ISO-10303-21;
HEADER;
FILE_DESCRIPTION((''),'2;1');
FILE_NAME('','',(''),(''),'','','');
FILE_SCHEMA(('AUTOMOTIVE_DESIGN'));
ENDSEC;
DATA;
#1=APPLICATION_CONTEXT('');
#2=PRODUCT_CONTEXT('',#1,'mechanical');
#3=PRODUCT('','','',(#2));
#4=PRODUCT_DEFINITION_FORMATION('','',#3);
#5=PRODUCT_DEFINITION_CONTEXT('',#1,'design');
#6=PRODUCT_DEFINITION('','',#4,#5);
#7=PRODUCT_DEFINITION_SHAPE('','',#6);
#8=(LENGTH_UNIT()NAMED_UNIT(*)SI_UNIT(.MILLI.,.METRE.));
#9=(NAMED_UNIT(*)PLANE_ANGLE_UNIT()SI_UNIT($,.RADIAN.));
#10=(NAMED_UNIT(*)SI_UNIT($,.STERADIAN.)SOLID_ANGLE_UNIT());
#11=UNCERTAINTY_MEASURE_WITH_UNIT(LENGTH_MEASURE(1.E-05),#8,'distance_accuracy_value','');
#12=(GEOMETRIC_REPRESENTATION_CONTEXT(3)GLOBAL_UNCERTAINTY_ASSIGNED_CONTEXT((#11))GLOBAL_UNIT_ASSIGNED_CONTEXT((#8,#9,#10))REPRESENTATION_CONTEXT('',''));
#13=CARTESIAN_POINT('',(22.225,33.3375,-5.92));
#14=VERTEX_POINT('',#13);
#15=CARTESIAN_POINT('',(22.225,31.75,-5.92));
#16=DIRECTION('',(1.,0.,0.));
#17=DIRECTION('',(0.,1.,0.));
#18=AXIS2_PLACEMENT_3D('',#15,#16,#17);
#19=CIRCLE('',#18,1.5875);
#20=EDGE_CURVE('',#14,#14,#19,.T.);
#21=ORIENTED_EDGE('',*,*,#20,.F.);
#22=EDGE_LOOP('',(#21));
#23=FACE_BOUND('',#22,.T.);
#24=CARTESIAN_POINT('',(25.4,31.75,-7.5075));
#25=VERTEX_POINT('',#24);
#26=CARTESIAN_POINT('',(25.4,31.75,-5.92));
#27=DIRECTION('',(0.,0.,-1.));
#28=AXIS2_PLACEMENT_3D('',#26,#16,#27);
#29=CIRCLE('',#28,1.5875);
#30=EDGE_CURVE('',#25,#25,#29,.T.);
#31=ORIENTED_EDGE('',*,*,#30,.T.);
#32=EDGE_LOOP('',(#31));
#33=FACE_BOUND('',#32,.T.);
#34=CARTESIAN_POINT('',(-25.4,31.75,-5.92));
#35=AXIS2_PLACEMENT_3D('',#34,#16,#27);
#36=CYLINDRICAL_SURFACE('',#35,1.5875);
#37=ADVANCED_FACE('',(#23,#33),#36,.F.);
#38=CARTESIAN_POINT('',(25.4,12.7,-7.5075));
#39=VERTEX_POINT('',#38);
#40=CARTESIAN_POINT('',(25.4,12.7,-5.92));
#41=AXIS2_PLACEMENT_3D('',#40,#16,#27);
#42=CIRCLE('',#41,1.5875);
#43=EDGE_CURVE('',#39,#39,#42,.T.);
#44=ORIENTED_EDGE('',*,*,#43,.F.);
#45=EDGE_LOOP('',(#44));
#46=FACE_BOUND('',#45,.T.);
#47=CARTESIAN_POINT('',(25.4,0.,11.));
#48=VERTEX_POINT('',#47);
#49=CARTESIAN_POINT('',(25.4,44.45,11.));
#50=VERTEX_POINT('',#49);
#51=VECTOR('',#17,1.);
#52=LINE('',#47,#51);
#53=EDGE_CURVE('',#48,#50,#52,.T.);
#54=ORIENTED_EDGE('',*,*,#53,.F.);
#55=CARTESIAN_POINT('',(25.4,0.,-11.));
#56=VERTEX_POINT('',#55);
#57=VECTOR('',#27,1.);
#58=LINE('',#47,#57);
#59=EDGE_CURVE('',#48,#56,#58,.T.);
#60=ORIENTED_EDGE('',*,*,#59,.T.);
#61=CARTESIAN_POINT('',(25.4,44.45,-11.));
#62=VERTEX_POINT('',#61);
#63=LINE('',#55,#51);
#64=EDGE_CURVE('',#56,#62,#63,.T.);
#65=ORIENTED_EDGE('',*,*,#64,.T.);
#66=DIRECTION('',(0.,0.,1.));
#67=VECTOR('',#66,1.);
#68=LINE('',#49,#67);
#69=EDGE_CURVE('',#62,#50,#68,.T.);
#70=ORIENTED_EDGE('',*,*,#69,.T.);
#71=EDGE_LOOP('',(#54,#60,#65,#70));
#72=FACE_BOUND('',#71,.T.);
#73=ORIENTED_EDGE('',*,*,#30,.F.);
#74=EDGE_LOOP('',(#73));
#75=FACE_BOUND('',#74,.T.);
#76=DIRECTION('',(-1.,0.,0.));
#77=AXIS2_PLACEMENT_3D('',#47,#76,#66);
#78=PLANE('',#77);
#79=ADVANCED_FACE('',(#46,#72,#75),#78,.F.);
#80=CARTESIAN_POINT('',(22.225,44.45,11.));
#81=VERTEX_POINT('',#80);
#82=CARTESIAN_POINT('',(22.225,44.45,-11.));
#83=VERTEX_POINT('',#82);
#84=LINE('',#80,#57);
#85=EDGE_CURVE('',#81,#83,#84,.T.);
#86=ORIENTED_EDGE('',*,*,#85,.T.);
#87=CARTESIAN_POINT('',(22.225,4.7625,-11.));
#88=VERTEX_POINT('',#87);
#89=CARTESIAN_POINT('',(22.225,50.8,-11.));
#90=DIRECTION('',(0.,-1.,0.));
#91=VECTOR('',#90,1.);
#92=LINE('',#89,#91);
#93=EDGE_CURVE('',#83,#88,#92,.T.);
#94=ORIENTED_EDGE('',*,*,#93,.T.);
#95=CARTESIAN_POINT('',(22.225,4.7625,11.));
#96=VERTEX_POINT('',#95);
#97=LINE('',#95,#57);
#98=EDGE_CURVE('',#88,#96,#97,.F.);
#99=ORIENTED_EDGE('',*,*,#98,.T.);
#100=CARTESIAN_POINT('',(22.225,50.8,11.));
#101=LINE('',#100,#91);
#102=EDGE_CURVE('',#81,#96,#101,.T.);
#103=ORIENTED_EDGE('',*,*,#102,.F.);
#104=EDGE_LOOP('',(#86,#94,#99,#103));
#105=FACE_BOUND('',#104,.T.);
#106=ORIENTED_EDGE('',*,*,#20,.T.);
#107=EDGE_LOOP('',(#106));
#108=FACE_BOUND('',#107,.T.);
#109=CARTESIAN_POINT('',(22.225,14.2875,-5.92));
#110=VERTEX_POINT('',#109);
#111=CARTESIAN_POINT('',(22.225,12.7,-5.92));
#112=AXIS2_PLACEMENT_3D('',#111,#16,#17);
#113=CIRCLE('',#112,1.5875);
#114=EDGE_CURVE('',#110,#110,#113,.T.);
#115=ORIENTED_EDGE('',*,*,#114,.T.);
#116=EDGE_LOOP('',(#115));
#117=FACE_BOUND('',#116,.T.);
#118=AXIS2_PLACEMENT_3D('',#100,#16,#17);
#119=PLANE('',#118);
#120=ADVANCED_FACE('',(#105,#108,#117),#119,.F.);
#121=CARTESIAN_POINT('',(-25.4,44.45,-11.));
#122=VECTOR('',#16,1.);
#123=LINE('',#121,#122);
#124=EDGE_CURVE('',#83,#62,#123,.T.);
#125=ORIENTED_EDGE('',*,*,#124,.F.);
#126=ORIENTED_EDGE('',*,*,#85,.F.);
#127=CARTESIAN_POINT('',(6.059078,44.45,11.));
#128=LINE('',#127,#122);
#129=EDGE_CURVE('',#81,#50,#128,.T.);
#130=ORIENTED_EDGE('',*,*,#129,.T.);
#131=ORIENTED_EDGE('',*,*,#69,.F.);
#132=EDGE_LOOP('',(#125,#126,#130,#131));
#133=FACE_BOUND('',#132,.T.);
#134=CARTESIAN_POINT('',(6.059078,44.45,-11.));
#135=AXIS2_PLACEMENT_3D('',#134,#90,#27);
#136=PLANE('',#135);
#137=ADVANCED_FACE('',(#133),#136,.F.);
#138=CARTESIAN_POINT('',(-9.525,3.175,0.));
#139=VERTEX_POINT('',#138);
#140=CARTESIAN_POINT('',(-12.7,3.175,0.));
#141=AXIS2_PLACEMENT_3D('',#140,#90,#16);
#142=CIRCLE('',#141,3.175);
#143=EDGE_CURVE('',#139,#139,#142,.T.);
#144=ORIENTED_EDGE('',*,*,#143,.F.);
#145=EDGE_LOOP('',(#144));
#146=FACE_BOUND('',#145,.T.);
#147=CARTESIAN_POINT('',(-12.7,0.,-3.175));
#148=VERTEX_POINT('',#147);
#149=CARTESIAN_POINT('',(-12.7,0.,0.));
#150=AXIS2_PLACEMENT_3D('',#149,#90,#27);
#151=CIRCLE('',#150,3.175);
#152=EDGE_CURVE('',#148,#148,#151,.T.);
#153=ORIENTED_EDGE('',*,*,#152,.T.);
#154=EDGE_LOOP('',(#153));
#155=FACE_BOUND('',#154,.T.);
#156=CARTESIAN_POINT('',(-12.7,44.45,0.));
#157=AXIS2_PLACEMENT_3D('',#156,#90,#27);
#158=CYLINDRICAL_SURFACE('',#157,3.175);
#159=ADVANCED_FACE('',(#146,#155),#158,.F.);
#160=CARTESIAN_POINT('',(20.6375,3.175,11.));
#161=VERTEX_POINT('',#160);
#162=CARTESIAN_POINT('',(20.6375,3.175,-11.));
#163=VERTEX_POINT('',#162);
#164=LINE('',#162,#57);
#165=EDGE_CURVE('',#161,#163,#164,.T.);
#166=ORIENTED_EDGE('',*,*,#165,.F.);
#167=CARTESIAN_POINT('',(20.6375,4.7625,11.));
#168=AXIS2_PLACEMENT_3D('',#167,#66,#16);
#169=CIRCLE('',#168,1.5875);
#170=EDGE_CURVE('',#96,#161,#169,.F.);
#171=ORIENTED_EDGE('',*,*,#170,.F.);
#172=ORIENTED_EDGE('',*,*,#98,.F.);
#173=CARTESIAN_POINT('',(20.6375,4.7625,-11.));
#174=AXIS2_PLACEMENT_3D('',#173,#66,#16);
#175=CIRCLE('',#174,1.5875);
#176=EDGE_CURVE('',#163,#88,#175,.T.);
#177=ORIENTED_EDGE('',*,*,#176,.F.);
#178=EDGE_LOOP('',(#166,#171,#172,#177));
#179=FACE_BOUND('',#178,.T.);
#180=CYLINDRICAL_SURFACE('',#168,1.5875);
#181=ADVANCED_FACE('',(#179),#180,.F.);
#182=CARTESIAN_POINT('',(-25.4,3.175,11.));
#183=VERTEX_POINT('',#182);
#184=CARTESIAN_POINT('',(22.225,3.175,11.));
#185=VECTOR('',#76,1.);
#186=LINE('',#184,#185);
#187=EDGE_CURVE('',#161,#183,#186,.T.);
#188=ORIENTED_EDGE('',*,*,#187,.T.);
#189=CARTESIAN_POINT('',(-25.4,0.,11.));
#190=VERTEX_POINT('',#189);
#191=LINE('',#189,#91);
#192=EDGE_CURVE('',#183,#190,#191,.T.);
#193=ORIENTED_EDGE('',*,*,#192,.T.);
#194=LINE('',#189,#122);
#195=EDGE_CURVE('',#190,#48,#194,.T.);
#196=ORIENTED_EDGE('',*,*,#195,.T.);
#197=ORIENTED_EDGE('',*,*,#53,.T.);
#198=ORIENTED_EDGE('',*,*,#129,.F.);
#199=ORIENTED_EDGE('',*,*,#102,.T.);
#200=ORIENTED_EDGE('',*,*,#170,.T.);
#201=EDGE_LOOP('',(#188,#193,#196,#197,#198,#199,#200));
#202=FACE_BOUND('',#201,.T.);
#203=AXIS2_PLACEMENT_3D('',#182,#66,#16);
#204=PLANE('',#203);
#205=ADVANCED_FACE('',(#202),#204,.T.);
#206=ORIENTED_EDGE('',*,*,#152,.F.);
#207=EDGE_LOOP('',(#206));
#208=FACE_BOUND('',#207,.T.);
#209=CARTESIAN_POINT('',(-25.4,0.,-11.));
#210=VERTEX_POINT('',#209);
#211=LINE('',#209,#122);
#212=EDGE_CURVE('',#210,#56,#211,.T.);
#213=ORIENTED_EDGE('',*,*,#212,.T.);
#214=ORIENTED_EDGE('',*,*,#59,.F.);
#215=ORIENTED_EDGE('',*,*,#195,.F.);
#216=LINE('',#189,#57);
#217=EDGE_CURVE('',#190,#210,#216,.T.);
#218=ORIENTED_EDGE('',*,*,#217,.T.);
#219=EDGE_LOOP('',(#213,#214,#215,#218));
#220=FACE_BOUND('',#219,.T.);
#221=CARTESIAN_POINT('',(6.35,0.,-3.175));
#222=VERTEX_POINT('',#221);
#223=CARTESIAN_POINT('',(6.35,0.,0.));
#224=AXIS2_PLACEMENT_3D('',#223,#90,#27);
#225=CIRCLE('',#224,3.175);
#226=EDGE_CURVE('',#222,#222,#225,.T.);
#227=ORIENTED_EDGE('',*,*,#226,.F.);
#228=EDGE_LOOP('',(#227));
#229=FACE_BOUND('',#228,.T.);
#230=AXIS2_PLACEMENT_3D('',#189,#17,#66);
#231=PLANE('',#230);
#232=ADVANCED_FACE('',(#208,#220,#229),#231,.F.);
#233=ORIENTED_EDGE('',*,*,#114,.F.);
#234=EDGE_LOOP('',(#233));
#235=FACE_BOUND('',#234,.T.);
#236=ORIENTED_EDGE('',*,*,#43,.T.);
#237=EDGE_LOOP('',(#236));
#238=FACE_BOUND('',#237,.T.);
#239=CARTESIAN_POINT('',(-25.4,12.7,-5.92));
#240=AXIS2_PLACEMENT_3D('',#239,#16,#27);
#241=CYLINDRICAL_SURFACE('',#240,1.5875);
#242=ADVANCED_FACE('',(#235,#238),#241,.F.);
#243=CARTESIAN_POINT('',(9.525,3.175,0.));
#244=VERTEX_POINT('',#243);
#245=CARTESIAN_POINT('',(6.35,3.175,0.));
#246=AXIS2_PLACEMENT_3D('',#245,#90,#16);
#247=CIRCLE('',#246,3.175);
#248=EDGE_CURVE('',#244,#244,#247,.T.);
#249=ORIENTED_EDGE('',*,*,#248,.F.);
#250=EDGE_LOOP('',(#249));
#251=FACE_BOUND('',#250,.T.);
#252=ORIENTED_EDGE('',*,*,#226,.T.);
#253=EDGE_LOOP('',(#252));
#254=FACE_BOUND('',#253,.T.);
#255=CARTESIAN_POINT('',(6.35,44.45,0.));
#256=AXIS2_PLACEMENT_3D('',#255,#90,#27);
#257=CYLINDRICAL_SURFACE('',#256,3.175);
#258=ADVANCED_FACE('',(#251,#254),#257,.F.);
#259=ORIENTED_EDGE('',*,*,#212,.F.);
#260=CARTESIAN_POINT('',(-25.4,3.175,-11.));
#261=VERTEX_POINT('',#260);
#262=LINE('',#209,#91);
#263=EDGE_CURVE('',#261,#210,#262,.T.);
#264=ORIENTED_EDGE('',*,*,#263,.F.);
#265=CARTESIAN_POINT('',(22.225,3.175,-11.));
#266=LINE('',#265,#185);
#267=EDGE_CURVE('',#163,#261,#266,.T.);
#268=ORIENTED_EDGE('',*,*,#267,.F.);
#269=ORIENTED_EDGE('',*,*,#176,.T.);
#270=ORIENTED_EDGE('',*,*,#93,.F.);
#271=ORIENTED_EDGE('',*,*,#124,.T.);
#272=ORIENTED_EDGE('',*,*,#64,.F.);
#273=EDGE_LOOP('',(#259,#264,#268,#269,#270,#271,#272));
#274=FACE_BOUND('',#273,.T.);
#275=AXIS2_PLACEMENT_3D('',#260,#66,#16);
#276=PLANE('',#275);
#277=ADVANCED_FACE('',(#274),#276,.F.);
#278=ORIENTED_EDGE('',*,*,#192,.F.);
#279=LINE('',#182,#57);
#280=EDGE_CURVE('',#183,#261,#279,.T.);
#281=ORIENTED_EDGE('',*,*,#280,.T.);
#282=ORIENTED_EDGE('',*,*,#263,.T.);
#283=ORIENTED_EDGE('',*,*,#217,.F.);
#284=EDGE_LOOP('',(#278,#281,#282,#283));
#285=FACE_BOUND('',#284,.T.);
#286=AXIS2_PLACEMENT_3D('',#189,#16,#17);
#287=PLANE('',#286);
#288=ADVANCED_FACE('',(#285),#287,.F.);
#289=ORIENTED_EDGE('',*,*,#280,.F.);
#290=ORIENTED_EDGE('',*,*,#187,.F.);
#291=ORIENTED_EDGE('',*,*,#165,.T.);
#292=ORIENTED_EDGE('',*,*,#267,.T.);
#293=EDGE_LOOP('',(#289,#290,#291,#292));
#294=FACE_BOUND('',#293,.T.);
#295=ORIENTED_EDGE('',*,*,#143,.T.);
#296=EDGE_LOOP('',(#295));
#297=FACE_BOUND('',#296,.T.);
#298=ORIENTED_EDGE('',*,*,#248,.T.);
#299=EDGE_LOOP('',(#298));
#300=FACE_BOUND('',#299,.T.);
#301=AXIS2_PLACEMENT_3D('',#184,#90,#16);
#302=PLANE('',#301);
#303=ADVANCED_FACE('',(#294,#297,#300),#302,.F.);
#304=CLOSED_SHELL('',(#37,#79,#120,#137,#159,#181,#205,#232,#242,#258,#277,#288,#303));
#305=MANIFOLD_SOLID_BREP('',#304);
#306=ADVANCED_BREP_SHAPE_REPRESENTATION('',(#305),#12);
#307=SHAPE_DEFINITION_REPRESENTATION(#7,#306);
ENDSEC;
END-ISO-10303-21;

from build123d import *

# Parameters (mm, degrees)
BOSS_EXTRUDE1_DEPTH = 11
FILLET1_R           = 1.5875
SKETCH3_W           = 24.423912887
SKETCH3_H           = 26.552361768
CUT_EXTRUDE1_DEPTH  = 23
SKETCH4_R           = 3.175
CUT_EXTRUDE2_DEPTH  = 45.45
SKETCH5_R           = 1.5875
CUT_EXTRUDE3_DEPTH  = 51.8


with BuildPart() as part:
    # Sketch2 → Boss-Extrude1 (new body, symmetric)
    with BuildSketch(Plane.XY):
        Polygon((-25.4, 0), (25.4, 0), (25.4, 50.8), (22.225, 50.8), (22.225, 3.175), (-25.4, 3.175), align=None)
    extrude(amount=BOSS_EXTRUDE1_DEPTH, both=True)

    # Fillet1
    fillet1_edges = [part.edges().sort_by_distance(p)[0] for p in [
        (22.225, 3.175, 0),
    ]]
    fillet(fillet1_edges, radius=FILLET1_R)

    # Sketch3 → Cut-Extrude1 (cut, through all)
    with BuildSketch(Plane.XY.offset(11)):
        with Locations((18.271034128, 57.726180884)):
            Rectangle(SKETCH3_W, SKETCH3_H)
    extrude(amount=-CUT_EXTRUDE1_DEPTH, mode=Mode.SUBTRACT)

    # Sketch4 → Cut-Extrude2 (cut, through all)
    with BuildSketch(Plane.XZ):
        with Locations((-12.7, 0)):
            Circle(SKETCH4_R)
        with Locations((6.35, 0)):
            Circle(SKETCH4_R)
    extrude(amount=-CUT_EXTRUDE2_DEPTH, mode=Mode.SUBTRACT)

    # Sketch5 → Cut-Extrude3 (cut, through all)
    with BuildSketch(Plane(origin=(25.4, 0, 0), x_dir=(0, 0, -1), z_dir=(1, 0, 0))):
        with Locations((5.92, 31.75)):
            Circle(SKETCH5_R)
        with Locations((5.92, 12.7)):
            Circle(SKETCH5_R)
    extrude(amount=-CUT_EXTRUDE3_DEPTH, mode=Mode.SUBTRACT)


solid = part.part
